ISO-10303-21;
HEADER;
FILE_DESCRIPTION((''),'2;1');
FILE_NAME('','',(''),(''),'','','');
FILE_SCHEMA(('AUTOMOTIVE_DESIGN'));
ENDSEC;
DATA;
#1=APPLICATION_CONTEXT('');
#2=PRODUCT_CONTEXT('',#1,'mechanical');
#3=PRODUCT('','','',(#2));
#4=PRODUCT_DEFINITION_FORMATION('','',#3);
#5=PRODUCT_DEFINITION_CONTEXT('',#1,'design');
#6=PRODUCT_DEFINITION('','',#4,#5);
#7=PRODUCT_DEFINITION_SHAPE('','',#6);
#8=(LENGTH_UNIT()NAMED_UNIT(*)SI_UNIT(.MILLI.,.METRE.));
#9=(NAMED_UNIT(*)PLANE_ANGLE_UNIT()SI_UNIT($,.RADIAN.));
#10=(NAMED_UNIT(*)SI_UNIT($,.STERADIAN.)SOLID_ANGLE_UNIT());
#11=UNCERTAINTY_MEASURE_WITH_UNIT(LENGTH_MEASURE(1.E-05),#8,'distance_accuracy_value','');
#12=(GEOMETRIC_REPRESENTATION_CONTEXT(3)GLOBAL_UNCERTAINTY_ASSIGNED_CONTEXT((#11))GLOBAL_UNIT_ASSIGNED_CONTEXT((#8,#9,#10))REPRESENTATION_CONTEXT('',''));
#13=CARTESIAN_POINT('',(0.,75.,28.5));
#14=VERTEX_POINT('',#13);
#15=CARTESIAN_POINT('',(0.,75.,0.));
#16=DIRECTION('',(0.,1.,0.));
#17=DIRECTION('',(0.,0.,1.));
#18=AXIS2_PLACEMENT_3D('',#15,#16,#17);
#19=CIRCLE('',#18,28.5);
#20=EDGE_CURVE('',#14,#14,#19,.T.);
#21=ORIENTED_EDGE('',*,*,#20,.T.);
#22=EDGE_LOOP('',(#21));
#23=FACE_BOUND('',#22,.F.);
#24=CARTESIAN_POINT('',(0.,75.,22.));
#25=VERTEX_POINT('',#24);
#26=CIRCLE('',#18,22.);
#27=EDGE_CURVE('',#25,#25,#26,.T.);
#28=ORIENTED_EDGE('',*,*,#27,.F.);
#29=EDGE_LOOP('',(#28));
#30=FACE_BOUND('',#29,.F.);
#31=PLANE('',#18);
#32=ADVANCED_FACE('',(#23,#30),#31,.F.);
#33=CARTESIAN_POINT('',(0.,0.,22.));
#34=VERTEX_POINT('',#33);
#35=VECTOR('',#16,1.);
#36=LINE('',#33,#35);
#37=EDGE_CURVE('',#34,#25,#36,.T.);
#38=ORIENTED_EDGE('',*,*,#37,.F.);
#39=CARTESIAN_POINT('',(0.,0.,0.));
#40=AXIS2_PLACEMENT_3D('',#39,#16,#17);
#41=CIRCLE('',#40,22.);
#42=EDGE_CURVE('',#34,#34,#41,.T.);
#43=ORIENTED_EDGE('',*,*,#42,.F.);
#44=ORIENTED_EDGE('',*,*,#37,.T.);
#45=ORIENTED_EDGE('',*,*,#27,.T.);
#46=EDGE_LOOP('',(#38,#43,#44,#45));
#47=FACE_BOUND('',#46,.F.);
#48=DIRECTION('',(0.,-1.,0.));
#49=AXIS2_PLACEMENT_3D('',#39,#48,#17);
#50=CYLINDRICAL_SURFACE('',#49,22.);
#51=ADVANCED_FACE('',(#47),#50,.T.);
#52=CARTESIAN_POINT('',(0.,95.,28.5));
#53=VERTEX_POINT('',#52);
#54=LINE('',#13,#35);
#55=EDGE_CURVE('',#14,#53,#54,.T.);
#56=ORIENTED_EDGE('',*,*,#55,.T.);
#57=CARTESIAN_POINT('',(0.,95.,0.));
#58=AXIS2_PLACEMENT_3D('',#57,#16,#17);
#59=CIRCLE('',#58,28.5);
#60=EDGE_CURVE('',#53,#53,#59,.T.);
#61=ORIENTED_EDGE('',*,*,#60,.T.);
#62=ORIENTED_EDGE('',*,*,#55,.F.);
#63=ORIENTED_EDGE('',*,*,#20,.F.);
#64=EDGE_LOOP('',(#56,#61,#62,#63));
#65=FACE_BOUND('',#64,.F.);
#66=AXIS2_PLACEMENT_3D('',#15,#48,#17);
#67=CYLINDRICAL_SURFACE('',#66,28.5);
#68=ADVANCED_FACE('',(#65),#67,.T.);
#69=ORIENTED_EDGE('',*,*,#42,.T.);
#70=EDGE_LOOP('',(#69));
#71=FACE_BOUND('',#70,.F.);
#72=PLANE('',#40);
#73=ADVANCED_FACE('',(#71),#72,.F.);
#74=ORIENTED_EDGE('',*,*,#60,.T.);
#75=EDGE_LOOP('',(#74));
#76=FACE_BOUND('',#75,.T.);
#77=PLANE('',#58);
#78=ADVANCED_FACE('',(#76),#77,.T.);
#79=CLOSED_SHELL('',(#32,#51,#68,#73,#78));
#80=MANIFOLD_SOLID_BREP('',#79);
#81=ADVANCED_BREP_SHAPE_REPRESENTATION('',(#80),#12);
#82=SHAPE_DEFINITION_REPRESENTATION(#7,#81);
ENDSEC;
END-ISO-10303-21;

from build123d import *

# Parameters (mm, degrees)
SKETCH1_R           = 22
BOSS_EXTRUDE1_DEPTH = 75
SKETCH2_R           = 28.5
BOSS_EXTRUDE2_DEPTH = 20


with BuildPart() as part:
    # Sketch1 → Boss-Extrude1 (new body)
    with BuildSketch(Plane(origin=(0, 0, 0), x_dir=(1, 0, 0), z_dir=(0, 1, 0))):
        with Locations(Location((0, 0, 0), (0, 0, 270))):  # turned: the seam where the file's is
            Circle(SKETCH1_R)
    extrude(amount=BOSS_EXTRUDE1_DEPTH)

    # Sketch2 → Boss-Extrude2 (add)
    with BuildSketch(Plane(origin=(0, 75, 0), x_dir=(1, 0, 0), z_dir=(0, 1, 0))):
        with Locations(Location((0, 0, 0), (0, 0, 270))):  # turned: the seam where the file's is
            Circle(SKETCH2_R)
    extrude(amount=BOSS_EXTRUDE2_DEPTH)


solid = part.part
